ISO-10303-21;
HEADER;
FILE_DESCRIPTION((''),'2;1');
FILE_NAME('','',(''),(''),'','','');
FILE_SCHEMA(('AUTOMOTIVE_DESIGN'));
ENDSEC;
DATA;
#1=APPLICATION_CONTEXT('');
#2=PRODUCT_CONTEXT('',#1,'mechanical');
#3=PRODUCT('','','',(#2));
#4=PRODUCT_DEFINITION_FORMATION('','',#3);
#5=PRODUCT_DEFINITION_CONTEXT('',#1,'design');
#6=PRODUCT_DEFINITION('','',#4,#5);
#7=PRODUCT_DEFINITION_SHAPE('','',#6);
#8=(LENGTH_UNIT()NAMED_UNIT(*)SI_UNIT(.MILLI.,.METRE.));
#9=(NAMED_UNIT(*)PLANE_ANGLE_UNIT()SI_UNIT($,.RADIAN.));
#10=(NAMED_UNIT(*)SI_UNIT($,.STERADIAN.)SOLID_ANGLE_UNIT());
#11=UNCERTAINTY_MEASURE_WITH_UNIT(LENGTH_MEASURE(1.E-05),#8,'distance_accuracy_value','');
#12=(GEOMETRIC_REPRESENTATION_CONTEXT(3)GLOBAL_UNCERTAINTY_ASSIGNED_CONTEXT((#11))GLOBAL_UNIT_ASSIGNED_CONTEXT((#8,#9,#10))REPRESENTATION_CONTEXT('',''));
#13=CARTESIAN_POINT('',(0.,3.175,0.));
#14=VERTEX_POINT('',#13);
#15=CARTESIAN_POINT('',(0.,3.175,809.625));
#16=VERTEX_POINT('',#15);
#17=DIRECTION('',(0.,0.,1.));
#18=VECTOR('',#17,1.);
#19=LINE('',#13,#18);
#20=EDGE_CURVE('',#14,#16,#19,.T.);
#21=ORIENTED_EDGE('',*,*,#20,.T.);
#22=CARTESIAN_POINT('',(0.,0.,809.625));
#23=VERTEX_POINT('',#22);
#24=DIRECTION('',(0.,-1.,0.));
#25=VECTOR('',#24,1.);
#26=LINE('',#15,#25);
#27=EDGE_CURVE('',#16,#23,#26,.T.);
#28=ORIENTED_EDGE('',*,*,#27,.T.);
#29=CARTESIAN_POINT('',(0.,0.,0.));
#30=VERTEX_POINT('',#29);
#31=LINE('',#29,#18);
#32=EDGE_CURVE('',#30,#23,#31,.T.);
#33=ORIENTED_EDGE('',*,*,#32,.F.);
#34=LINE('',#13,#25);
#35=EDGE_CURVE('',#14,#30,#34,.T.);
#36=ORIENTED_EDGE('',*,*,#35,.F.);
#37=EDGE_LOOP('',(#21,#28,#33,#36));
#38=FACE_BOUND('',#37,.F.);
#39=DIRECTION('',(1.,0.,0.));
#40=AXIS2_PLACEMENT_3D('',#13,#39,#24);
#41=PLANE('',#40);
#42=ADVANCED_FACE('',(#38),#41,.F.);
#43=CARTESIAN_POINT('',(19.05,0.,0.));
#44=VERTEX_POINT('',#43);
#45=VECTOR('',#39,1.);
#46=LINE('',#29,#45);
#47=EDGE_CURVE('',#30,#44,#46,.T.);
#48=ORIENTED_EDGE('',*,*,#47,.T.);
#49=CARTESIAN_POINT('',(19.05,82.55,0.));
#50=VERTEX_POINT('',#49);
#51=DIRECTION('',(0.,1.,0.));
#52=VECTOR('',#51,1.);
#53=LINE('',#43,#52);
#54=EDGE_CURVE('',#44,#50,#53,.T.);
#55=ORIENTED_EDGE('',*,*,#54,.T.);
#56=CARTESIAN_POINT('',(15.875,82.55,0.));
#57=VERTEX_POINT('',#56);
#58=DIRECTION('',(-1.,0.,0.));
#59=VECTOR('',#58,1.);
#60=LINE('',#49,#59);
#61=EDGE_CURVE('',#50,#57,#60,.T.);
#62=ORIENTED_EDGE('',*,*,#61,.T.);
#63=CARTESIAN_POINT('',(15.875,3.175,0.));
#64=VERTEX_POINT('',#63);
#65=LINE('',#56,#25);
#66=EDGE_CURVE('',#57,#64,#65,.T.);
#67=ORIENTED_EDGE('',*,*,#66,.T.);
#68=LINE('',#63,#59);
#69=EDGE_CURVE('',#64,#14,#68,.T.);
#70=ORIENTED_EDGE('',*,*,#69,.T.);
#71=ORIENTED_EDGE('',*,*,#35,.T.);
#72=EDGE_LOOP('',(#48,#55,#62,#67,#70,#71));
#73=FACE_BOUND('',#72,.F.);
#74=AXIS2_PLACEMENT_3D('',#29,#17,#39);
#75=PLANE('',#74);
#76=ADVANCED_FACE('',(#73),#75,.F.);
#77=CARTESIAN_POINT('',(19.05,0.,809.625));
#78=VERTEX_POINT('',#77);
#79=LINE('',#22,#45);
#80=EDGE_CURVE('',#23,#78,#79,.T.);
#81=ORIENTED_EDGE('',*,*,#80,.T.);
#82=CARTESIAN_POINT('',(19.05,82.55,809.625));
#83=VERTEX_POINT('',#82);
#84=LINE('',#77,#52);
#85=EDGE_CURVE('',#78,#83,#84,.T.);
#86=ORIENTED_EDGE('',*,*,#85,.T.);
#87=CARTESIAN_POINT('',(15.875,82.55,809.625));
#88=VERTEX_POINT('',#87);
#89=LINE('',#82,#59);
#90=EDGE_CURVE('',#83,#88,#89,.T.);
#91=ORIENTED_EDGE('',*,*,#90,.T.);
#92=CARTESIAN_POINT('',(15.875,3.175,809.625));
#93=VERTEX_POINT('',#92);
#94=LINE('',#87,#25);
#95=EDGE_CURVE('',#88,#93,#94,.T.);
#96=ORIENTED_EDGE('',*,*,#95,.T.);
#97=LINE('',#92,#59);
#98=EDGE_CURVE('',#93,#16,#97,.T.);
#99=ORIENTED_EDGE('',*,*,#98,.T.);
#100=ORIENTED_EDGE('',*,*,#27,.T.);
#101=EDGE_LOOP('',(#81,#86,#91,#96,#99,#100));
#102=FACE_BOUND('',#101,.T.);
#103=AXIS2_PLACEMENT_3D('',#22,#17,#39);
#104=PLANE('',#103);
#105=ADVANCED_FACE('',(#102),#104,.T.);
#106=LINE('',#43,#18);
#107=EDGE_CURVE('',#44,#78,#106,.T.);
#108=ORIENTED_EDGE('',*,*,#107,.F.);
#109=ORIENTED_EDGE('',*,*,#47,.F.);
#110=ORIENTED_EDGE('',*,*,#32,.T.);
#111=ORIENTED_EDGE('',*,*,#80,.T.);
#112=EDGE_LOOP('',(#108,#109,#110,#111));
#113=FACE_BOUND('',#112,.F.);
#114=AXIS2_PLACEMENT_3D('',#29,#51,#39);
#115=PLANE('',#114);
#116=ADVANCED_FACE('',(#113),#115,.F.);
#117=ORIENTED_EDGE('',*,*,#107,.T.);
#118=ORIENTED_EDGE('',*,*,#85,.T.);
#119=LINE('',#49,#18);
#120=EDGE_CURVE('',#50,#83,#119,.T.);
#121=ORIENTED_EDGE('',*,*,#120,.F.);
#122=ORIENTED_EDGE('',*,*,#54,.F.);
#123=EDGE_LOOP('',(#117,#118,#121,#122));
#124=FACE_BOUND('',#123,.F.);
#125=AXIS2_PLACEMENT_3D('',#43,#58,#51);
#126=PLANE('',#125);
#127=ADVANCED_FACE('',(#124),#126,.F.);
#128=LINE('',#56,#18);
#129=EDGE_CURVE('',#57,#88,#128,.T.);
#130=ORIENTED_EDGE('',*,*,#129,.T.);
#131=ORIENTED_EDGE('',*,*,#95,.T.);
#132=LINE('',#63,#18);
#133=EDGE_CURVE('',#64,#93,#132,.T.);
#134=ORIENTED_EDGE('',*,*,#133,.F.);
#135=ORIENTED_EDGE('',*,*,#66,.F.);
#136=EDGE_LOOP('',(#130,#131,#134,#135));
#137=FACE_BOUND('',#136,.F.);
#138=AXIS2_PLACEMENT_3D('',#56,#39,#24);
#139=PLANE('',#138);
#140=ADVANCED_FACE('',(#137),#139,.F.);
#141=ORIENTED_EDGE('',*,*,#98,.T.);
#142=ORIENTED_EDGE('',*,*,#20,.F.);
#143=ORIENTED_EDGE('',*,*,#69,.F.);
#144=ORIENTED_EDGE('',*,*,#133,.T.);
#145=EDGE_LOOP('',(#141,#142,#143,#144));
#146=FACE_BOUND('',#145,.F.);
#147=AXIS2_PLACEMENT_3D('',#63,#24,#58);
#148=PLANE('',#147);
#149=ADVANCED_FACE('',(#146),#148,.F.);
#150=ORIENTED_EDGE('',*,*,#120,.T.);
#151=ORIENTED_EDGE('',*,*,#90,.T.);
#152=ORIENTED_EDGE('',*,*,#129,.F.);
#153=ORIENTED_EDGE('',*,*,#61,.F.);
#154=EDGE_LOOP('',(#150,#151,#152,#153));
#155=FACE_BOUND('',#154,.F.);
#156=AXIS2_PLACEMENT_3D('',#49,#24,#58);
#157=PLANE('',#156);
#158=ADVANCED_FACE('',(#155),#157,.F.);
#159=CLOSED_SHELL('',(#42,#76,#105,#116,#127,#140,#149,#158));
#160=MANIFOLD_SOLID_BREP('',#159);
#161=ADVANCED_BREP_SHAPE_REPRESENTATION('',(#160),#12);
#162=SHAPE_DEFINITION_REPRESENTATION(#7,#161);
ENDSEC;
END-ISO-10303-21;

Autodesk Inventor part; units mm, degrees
ref_plane "YZ Plane" through (0, 0, 0) normal (1, 0, 0) x (0, 1, 0)
ref_plane "XZ Plane" through (0, 0, 0) normal (0, 1, 0) x (-1, 0, 0)
ref_plane "XY Plane" through (0, 0, 0) normal (0, 0, 1) x (1, 0, 0)
sketch "Sketch1" plane through (0, 0, 0) normal (0, 0, 1) x (1, 0, 0)
  line L0 (0, 0) -> (19.05, 0)
  line L1 (0, 0) -> (19.05, 0) construction
  line L2 (19.05, 0) -> (19.05, 82.55)
  line L3 (19.05, 82.55) -> (15.875, 82.55)
  line L4 (15.875, 82.55) -> (15.875, 3.175)
  line L5 (15.875, 3.175) -> (0, 3.175)
  line L6 (0, 3.175) -> (0, 0)
  dimension "d0" = 19.05
  dimension "d1" = 0
  dimension "d2" = 82.55
  dimension "d3" = 90
  dimension "d4" = 3.175
  dimension "d5" = 79.375
sketch "Sketch2" plane through (0, 0, 0) normal (0, 0, 1) x (1, 0, 0)
  point P0 (0, 0)
extrude "Extrusion3" add sketch "Sketch1" along normal blind 809.625
properties part number "ISPFrame"
